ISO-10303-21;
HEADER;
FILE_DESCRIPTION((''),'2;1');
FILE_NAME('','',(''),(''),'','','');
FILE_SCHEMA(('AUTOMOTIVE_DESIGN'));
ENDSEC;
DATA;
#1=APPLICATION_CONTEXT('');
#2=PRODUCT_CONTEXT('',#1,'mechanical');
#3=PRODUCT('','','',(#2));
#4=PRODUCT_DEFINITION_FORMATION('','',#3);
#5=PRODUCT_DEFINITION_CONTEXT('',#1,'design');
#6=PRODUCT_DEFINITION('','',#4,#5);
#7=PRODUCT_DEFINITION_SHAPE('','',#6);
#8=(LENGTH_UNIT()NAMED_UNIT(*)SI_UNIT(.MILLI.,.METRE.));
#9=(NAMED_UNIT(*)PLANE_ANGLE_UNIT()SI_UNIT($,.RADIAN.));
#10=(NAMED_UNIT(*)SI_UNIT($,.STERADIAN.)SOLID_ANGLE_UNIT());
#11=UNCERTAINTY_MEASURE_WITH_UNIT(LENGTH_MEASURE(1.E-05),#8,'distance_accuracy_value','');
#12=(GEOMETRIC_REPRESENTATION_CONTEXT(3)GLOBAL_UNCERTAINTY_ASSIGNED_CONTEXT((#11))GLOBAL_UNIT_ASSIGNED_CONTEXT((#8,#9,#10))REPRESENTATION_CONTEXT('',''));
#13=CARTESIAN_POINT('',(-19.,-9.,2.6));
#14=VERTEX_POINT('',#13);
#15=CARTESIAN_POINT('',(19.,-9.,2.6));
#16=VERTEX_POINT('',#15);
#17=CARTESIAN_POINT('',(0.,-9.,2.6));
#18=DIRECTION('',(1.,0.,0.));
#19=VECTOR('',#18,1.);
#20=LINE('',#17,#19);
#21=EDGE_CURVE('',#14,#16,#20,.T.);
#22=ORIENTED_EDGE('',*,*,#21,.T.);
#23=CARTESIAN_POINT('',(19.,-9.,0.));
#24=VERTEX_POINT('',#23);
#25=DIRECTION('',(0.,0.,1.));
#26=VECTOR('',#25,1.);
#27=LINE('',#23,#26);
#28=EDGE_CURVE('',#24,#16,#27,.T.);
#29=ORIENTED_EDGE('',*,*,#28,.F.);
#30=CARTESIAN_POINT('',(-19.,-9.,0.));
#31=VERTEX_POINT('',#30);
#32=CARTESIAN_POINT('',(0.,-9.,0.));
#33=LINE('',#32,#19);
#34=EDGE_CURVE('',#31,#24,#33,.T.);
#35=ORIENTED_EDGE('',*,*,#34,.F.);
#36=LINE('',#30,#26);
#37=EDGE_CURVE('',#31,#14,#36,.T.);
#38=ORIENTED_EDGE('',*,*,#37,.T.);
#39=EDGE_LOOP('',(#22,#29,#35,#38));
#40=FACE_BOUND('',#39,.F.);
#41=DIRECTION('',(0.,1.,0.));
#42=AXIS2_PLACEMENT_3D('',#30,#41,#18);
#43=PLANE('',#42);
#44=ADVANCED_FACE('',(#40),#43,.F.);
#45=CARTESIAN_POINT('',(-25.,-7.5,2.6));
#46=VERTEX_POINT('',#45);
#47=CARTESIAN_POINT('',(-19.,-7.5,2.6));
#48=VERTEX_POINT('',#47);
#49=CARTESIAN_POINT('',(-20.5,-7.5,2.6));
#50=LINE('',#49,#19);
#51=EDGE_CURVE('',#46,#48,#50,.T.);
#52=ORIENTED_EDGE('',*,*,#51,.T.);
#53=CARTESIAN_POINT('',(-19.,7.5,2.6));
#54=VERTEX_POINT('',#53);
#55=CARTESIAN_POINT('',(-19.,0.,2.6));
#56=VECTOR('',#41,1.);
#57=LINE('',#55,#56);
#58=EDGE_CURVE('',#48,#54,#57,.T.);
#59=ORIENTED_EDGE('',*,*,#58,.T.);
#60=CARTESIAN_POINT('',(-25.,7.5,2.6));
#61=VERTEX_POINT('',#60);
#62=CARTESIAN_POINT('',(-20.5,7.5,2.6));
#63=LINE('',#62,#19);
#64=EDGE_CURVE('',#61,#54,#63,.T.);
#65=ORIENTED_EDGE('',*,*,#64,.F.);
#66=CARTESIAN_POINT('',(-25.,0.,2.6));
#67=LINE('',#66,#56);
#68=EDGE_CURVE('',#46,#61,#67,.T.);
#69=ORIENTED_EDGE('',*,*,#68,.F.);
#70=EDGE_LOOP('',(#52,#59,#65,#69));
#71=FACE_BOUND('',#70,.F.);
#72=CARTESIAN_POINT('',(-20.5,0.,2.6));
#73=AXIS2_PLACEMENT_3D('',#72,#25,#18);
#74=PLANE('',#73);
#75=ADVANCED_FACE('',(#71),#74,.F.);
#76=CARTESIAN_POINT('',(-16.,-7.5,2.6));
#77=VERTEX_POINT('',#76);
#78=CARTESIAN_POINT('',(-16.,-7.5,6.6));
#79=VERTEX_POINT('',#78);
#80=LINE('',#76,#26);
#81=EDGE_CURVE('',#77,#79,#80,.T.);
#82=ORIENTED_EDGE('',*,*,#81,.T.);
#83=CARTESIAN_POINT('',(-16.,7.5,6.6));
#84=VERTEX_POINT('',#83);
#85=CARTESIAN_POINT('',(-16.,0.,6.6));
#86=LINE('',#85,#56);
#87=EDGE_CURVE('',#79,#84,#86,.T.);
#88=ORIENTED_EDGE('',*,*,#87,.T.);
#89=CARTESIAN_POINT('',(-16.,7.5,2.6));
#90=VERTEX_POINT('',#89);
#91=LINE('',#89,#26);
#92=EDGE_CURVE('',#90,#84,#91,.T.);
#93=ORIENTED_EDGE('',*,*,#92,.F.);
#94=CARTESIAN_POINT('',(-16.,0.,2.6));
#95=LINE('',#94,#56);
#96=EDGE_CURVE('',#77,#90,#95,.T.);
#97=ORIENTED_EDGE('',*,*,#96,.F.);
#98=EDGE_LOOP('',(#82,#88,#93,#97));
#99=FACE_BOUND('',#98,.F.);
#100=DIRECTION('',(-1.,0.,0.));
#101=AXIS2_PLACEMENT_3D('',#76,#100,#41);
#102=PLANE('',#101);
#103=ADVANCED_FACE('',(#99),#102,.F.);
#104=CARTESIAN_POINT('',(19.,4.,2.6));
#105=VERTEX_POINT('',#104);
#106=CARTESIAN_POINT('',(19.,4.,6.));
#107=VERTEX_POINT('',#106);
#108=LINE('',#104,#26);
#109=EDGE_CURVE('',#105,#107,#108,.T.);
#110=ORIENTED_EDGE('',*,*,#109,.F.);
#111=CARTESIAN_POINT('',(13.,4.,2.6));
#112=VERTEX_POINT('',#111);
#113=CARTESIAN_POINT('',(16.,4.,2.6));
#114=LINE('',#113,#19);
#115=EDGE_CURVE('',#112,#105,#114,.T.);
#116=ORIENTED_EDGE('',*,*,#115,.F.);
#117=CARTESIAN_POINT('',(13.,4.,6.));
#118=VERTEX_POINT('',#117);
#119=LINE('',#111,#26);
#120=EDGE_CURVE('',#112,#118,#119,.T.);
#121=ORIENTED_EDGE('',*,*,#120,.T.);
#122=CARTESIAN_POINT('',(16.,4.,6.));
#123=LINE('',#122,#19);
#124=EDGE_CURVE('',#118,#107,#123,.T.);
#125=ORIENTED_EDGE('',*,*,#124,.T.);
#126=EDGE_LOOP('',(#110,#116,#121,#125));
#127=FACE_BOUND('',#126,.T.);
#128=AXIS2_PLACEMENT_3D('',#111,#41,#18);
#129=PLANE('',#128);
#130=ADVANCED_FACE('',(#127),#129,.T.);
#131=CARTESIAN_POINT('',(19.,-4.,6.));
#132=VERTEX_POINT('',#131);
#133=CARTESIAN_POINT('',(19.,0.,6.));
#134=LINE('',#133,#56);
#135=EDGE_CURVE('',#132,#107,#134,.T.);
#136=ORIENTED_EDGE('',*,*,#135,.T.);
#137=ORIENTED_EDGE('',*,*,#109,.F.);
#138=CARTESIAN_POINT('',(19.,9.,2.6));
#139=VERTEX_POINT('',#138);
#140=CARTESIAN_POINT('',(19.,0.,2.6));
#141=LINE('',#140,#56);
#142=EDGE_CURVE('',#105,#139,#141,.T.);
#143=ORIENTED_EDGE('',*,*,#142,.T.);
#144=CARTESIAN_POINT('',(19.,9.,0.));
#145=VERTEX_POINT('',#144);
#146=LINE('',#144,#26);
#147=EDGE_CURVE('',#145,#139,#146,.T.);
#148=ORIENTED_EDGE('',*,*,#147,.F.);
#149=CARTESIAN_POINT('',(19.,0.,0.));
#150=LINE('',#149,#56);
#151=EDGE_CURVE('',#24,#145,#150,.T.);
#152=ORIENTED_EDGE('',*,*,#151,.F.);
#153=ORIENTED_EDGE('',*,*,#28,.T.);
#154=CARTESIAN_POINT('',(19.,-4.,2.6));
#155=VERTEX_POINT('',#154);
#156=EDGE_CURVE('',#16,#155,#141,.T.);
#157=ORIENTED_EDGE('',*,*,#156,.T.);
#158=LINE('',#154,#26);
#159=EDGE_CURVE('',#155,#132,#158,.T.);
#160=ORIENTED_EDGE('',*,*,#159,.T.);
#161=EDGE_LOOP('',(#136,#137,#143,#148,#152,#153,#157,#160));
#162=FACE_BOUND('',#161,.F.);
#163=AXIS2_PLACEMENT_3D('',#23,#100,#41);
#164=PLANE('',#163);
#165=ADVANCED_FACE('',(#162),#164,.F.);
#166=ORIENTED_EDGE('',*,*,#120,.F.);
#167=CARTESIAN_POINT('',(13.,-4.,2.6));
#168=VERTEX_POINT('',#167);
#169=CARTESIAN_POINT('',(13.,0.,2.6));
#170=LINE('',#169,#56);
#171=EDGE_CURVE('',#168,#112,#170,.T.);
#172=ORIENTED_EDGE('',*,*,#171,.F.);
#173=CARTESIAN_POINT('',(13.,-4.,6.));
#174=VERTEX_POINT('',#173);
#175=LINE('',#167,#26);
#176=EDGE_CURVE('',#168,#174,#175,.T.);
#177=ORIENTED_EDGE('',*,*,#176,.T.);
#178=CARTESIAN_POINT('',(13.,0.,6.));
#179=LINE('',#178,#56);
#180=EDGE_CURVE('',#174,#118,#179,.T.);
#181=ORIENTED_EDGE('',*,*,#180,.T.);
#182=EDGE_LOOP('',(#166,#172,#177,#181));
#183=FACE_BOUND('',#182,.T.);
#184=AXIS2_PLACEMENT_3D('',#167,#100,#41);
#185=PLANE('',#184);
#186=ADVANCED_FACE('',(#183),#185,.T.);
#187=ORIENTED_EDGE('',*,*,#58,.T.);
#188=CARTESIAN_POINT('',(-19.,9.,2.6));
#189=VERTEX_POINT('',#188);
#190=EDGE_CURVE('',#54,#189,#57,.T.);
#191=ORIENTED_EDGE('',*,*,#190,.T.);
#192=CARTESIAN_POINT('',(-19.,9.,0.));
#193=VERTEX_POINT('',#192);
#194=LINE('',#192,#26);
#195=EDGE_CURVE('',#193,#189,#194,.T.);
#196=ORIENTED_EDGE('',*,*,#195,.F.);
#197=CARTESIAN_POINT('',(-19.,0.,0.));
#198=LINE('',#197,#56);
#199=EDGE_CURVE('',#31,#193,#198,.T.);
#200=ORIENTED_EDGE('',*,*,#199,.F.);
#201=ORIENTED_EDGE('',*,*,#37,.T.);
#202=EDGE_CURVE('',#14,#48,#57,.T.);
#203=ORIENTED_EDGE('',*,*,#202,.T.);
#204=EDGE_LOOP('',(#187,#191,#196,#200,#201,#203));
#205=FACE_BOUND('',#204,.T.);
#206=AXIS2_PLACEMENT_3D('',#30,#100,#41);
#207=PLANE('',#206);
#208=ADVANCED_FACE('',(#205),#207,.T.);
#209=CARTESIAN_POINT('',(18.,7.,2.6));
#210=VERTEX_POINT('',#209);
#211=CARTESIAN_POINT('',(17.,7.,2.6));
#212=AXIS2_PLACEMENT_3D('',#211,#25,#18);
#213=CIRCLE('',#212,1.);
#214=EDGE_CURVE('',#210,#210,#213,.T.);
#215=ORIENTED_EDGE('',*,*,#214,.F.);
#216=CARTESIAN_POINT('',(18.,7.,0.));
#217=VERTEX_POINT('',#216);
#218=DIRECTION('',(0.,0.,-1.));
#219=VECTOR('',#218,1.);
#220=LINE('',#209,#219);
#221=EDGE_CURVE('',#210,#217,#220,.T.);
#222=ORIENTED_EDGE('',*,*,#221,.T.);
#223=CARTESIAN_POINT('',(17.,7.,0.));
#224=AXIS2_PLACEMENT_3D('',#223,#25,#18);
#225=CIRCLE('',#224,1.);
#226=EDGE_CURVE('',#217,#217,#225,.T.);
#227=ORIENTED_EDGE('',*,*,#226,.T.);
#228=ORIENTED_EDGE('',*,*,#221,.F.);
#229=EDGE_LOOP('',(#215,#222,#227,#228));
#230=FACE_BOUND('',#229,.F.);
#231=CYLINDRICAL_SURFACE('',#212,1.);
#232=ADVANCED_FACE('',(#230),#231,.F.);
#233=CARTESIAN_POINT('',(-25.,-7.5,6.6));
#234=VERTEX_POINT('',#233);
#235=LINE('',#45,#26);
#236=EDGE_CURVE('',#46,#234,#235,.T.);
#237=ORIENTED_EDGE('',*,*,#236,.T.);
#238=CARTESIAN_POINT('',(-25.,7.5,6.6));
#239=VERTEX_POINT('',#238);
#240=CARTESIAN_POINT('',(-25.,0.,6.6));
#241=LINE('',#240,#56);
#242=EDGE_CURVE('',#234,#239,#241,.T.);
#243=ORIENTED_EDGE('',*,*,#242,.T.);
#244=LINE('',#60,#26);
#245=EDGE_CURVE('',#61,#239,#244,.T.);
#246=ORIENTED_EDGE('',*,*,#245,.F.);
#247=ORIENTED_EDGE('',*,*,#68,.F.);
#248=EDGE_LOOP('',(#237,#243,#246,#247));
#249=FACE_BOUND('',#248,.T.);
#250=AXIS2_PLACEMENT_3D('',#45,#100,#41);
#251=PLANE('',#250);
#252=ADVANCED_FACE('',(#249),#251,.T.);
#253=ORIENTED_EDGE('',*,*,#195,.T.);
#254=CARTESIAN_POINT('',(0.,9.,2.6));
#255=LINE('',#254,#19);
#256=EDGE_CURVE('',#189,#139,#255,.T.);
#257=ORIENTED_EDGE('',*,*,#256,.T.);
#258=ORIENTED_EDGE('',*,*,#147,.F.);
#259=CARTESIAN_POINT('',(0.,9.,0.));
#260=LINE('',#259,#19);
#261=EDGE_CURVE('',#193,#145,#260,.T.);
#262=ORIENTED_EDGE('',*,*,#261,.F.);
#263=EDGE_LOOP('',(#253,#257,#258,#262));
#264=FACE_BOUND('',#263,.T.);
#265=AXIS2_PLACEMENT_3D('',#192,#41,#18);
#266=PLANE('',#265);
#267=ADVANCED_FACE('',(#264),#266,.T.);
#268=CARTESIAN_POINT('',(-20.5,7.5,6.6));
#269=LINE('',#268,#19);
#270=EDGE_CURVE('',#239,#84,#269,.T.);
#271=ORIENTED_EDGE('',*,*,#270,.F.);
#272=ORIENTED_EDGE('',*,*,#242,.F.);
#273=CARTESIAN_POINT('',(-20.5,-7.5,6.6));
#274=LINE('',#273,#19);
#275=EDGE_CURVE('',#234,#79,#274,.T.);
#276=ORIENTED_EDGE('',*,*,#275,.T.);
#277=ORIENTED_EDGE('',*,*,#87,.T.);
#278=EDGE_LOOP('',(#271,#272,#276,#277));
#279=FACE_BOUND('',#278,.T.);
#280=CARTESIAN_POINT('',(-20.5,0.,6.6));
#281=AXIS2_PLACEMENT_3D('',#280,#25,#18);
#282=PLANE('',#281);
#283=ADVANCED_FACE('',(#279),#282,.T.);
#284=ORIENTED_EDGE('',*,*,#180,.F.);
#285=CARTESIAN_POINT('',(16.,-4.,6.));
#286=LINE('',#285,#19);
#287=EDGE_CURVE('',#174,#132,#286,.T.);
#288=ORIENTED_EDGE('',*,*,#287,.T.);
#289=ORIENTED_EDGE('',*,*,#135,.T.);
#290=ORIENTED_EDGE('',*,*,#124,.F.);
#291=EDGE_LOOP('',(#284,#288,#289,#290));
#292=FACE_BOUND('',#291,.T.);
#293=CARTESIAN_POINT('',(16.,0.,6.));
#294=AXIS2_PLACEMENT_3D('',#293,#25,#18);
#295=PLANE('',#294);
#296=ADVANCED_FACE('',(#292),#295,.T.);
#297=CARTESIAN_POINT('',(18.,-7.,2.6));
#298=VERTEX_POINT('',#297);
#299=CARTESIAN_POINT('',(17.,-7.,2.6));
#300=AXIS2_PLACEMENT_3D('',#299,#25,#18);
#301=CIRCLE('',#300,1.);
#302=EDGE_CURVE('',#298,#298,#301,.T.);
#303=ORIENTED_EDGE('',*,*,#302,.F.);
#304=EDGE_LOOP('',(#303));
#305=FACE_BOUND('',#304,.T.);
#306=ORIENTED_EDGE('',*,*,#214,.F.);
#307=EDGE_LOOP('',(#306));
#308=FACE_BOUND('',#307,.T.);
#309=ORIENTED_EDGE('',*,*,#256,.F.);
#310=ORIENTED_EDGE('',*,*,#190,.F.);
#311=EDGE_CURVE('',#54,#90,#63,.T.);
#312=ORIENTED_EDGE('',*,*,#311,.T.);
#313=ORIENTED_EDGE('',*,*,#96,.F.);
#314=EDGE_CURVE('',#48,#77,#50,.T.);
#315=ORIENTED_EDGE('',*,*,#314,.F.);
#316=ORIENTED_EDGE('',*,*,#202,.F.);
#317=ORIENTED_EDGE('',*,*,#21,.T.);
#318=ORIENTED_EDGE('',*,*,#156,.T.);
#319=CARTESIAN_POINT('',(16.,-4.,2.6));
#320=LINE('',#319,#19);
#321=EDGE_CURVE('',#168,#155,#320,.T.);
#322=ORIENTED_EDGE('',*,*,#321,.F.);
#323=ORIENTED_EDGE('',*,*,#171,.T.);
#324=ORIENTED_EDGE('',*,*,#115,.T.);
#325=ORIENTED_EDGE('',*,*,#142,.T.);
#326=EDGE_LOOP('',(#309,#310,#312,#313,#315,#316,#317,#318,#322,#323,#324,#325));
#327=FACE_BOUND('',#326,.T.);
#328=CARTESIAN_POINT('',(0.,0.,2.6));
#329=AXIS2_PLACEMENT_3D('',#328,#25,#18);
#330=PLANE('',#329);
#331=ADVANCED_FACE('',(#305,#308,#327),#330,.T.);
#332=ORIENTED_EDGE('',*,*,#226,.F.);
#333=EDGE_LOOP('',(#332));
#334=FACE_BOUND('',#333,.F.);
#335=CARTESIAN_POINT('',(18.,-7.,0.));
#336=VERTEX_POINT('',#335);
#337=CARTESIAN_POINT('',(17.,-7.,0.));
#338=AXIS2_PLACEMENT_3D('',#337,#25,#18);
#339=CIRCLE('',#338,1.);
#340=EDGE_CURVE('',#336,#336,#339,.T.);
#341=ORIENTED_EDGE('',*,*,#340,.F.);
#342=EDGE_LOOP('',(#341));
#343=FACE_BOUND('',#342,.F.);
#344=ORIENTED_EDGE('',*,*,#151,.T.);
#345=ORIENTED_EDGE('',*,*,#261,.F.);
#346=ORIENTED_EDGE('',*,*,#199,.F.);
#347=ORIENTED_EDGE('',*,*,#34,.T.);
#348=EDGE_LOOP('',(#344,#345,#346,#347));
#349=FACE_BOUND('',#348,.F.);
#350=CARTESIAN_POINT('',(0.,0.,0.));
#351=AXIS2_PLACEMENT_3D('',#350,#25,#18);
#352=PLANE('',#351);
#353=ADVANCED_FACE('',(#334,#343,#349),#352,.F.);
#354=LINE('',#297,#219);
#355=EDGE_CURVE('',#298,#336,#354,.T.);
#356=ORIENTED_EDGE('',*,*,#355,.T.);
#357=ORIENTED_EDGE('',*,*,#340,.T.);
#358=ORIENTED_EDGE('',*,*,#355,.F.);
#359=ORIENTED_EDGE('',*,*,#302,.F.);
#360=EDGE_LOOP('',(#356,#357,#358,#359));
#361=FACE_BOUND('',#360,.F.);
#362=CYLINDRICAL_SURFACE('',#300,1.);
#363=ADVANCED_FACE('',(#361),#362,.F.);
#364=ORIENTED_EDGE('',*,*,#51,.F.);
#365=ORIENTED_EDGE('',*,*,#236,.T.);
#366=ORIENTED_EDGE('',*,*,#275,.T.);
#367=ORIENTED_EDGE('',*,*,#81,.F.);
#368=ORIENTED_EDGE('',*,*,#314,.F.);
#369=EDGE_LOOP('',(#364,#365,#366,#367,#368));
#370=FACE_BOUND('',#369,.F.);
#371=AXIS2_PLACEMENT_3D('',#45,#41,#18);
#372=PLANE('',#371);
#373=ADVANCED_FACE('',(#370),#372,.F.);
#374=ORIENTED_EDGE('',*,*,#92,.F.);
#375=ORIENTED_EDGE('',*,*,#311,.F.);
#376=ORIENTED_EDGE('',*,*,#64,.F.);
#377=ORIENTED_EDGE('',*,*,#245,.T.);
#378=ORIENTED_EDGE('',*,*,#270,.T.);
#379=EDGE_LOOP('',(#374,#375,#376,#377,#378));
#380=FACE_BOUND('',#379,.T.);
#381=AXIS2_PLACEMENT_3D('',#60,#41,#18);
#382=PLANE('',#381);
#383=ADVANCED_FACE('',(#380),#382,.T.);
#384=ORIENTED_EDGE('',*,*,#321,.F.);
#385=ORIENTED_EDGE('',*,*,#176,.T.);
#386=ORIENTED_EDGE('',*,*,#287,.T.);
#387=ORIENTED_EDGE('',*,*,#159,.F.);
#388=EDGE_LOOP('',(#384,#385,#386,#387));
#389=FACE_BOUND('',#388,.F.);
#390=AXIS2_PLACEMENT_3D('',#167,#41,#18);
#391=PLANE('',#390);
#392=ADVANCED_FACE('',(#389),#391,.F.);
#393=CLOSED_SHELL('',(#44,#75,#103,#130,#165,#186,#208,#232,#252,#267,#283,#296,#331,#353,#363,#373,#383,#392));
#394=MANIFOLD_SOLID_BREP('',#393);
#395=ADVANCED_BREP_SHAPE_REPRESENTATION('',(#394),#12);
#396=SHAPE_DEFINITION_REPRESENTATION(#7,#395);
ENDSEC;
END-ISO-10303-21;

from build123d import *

# Parameters (mm, degrees)
F0_W     = 38
F0_H     = 18
F1_DEPTH = 2.6
F2_R     = 1
F3_DEPTH = 2.6
F4_W     = 6
F4_H     = 8
F5_DEPTH = 3.4
F6_W     = 9
F6_H     = 15
F7_DEPTH = 4


with BuildPart() as f1:
    # F0 (on Top) → F1 (new body)
    with BuildSketch(Plane.XY):
        Rectangle(F0_W, F0_H)
    extrude(amount=F1_DEPTH)

    # F2 (on face) → F3 (cut, through all)
    with BuildSketch(Plane.XY.offset(2.6)):
        with Locations((17, 7)):
            Circle(F2_R)
        with Locations((17, -7)):
            Circle(F2_R)
    extrude(amount=-F3_DEPTH, mode=Mode.SUBTRACT)

    # F4 (on face) → F5 (join)
    with BuildSketch(Plane.XY.offset(2.6)):
        with Locations((16, 0)):
            Rectangle(F4_W, F4_H)
    extrude(amount=F5_DEPTH)

    # F6 (on face) → F7 (join)
    with BuildSketch(Plane.XY.offset(2.6)):
        with Locations((-20.5, 0)):
            Rectangle(F6_W, F6_H)
    extrude(amount=F7_DEPTH)


solid = f1.part
